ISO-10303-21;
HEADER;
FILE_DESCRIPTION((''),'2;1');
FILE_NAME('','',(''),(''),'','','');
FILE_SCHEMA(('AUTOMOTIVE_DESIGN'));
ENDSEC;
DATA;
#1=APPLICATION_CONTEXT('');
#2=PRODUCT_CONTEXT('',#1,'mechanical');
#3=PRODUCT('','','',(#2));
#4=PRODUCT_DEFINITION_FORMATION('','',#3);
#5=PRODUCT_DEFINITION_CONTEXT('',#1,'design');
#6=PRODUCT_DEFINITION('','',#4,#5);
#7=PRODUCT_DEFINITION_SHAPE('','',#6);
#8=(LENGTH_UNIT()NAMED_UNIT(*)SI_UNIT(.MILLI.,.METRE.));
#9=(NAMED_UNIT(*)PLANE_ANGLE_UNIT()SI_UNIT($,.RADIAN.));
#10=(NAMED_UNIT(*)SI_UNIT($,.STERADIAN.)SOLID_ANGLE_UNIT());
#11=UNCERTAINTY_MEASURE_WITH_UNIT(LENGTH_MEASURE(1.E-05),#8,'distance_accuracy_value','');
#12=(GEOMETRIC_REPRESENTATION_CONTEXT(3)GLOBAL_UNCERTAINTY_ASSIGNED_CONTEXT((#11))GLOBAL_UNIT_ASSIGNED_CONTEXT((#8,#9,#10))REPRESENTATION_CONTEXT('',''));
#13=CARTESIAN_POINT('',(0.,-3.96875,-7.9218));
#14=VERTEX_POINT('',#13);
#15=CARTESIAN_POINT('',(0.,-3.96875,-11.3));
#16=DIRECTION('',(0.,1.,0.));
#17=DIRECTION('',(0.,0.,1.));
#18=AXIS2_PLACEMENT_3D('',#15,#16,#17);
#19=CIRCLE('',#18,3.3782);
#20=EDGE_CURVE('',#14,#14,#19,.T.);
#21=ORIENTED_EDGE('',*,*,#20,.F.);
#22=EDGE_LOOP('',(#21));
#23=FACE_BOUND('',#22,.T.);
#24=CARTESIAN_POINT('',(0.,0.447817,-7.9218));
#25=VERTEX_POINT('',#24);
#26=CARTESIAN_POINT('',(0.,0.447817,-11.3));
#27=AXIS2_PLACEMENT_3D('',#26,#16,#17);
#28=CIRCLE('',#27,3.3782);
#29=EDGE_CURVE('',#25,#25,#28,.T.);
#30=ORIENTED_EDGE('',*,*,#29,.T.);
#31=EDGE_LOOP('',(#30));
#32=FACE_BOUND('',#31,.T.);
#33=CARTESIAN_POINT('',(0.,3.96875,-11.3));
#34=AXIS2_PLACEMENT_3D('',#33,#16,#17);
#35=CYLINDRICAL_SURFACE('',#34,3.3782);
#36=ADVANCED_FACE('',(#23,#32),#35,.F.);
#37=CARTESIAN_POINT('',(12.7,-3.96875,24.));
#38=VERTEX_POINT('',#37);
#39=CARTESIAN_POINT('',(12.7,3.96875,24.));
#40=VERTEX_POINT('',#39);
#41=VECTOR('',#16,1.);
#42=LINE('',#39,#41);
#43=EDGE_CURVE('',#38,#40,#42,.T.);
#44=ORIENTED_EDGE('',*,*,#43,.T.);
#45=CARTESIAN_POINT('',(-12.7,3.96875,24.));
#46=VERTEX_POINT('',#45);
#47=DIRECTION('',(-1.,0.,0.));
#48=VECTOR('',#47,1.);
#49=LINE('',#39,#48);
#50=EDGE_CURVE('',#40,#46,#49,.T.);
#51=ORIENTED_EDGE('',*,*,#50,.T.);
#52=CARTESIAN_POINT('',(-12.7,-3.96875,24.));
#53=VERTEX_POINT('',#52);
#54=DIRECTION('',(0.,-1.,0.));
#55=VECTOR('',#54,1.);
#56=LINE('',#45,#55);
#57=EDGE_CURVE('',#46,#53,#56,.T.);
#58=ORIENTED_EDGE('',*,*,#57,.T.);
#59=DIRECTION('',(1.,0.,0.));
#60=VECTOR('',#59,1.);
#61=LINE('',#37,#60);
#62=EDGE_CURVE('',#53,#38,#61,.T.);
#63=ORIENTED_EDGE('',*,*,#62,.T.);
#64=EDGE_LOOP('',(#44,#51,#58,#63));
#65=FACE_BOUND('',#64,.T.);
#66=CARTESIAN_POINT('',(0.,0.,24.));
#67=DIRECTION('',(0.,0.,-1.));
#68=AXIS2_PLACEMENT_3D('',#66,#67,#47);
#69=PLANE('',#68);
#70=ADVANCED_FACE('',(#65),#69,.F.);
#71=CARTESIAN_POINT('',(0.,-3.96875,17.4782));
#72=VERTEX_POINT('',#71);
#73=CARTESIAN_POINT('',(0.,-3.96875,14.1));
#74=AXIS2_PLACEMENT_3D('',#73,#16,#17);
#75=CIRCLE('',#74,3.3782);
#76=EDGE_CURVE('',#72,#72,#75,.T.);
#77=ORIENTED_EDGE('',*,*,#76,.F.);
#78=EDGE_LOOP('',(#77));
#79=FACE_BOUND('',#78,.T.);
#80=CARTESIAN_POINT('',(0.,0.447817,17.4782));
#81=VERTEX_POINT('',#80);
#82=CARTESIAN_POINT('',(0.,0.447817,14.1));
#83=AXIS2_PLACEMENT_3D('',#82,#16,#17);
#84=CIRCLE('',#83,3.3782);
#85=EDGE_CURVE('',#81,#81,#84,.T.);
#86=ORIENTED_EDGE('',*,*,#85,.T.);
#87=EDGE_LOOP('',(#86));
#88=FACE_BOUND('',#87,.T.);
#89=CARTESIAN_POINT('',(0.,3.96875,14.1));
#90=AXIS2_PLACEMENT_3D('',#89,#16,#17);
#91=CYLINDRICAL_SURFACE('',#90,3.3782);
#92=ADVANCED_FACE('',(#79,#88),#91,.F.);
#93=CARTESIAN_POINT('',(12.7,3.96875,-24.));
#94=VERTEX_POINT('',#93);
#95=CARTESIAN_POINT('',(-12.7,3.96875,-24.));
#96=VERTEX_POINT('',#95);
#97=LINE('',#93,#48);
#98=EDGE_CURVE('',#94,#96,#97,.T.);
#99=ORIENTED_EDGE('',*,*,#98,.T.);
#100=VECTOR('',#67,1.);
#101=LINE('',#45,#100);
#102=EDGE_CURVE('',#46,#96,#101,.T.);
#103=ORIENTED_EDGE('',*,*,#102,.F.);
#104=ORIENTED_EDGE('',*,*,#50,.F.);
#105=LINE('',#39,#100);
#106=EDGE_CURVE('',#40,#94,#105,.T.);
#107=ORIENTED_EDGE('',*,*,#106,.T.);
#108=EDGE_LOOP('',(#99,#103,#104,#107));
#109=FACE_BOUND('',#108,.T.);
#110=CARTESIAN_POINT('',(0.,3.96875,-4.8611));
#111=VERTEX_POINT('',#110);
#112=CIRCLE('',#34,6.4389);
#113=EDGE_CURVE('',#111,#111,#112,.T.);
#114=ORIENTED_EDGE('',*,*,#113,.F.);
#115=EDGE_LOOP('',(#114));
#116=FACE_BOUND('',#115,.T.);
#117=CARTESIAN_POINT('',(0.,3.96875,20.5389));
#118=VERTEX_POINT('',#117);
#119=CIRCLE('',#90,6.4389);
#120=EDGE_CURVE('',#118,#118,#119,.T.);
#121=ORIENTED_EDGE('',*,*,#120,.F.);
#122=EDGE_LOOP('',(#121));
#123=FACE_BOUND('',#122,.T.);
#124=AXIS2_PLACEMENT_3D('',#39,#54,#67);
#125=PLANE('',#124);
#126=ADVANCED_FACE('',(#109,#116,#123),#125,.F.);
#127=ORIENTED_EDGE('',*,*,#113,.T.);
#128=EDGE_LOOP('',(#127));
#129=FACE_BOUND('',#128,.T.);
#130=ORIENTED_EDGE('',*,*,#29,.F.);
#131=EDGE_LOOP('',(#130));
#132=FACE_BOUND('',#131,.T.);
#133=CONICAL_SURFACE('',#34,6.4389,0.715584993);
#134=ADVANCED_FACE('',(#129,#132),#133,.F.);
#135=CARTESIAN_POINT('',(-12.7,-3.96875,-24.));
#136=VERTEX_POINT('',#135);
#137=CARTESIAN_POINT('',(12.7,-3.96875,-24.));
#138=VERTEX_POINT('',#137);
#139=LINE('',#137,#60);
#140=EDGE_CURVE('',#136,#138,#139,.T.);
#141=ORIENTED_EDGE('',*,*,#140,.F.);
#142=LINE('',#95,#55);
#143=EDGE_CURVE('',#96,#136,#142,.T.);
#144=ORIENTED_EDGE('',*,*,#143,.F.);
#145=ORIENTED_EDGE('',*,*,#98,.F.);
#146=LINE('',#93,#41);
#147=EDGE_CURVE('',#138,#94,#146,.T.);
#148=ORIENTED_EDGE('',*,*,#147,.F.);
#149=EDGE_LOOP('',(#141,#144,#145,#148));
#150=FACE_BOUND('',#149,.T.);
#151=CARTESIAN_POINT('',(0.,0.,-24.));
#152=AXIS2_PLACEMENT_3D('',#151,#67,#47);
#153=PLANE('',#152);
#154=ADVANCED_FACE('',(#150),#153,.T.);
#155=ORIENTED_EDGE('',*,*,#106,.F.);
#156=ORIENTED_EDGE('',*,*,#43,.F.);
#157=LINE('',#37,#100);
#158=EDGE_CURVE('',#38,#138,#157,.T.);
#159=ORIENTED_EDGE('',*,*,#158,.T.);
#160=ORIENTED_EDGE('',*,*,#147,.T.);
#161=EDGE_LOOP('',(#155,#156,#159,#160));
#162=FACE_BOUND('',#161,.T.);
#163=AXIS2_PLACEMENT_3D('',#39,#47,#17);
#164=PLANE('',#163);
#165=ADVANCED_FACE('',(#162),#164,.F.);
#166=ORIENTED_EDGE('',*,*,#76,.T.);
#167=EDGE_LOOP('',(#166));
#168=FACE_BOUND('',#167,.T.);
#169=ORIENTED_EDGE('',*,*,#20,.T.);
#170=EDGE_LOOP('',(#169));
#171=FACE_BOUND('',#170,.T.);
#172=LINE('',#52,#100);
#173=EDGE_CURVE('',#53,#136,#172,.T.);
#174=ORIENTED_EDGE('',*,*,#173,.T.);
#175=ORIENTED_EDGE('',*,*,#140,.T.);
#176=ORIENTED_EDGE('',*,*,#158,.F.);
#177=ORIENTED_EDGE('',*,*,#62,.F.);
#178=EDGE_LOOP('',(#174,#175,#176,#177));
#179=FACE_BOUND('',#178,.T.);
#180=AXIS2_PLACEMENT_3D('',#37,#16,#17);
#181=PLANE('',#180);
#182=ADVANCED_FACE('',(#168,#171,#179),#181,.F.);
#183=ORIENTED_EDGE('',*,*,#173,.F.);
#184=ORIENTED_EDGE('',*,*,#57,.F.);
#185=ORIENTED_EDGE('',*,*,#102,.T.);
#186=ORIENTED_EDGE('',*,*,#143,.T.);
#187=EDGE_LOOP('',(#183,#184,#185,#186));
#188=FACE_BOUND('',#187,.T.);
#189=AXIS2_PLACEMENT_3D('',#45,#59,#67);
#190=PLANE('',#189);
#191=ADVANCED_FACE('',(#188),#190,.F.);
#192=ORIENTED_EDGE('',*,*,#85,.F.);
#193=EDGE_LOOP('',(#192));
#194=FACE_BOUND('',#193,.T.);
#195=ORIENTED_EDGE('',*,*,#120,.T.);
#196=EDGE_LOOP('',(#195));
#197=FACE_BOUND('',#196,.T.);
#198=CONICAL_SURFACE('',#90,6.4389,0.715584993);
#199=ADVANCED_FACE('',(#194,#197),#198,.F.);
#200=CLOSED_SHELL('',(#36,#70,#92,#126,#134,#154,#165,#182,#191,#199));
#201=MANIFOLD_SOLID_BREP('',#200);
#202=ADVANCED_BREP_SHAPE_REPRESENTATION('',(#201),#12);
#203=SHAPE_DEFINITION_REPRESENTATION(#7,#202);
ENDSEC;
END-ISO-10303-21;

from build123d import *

# Parameters (mm, degrees)
SKETCH3_W                                        = 25.4
SKETCH3_H                                        = 7.9375
BOSS_EXTRUDE1_DEPTH                              = 24
CSK_FOR_1_4_FLAT_HEAD_MACHINE_SCREW1_D           = 6.7564
CSK_FOR_1_4_FLAT_HEAD_MACHINE_SCREW1_CSINK_D     = 12.8778
CSK_FOR_1_4_FLAT_HEAD_MACHINE_SCREW1_CSINK_ANGLE = 82


with BuildPart() as part:
    # Sketch3 → Boss-Extrude1 (new body, symmetric)
    with BuildSketch(Plane.XY):
        Rectangle(SKETCH3_W, SKETCH3_H)
    extrude(amount=BOSS_EXTRUDE1_DEPTH, both=True)

    # CSK for 1/4 Flat Head Machine Screw1 (through all)
    with Locations(Plane(origin=(0, 3.96875, 0), x_dir=(-1, 0, 0), z_dir=(0, 1, 0))):
        with Locations((0, 14.1), (0, -11.3)):
            CounterSinkHole(CSK_FOR_1_4_FLAT_HEAD_MACHINE_SCREW1_D / 2, CSK_FOR_1_4_FLAT_HEAD_MACHINE_SCREW1_CSINK_D / 2, counter_sink_angle=CSK_FOR_1_4_FLAT_HEAD_MACHINE_SCREW1_CSINK_ANGLE)


solid = part.part
